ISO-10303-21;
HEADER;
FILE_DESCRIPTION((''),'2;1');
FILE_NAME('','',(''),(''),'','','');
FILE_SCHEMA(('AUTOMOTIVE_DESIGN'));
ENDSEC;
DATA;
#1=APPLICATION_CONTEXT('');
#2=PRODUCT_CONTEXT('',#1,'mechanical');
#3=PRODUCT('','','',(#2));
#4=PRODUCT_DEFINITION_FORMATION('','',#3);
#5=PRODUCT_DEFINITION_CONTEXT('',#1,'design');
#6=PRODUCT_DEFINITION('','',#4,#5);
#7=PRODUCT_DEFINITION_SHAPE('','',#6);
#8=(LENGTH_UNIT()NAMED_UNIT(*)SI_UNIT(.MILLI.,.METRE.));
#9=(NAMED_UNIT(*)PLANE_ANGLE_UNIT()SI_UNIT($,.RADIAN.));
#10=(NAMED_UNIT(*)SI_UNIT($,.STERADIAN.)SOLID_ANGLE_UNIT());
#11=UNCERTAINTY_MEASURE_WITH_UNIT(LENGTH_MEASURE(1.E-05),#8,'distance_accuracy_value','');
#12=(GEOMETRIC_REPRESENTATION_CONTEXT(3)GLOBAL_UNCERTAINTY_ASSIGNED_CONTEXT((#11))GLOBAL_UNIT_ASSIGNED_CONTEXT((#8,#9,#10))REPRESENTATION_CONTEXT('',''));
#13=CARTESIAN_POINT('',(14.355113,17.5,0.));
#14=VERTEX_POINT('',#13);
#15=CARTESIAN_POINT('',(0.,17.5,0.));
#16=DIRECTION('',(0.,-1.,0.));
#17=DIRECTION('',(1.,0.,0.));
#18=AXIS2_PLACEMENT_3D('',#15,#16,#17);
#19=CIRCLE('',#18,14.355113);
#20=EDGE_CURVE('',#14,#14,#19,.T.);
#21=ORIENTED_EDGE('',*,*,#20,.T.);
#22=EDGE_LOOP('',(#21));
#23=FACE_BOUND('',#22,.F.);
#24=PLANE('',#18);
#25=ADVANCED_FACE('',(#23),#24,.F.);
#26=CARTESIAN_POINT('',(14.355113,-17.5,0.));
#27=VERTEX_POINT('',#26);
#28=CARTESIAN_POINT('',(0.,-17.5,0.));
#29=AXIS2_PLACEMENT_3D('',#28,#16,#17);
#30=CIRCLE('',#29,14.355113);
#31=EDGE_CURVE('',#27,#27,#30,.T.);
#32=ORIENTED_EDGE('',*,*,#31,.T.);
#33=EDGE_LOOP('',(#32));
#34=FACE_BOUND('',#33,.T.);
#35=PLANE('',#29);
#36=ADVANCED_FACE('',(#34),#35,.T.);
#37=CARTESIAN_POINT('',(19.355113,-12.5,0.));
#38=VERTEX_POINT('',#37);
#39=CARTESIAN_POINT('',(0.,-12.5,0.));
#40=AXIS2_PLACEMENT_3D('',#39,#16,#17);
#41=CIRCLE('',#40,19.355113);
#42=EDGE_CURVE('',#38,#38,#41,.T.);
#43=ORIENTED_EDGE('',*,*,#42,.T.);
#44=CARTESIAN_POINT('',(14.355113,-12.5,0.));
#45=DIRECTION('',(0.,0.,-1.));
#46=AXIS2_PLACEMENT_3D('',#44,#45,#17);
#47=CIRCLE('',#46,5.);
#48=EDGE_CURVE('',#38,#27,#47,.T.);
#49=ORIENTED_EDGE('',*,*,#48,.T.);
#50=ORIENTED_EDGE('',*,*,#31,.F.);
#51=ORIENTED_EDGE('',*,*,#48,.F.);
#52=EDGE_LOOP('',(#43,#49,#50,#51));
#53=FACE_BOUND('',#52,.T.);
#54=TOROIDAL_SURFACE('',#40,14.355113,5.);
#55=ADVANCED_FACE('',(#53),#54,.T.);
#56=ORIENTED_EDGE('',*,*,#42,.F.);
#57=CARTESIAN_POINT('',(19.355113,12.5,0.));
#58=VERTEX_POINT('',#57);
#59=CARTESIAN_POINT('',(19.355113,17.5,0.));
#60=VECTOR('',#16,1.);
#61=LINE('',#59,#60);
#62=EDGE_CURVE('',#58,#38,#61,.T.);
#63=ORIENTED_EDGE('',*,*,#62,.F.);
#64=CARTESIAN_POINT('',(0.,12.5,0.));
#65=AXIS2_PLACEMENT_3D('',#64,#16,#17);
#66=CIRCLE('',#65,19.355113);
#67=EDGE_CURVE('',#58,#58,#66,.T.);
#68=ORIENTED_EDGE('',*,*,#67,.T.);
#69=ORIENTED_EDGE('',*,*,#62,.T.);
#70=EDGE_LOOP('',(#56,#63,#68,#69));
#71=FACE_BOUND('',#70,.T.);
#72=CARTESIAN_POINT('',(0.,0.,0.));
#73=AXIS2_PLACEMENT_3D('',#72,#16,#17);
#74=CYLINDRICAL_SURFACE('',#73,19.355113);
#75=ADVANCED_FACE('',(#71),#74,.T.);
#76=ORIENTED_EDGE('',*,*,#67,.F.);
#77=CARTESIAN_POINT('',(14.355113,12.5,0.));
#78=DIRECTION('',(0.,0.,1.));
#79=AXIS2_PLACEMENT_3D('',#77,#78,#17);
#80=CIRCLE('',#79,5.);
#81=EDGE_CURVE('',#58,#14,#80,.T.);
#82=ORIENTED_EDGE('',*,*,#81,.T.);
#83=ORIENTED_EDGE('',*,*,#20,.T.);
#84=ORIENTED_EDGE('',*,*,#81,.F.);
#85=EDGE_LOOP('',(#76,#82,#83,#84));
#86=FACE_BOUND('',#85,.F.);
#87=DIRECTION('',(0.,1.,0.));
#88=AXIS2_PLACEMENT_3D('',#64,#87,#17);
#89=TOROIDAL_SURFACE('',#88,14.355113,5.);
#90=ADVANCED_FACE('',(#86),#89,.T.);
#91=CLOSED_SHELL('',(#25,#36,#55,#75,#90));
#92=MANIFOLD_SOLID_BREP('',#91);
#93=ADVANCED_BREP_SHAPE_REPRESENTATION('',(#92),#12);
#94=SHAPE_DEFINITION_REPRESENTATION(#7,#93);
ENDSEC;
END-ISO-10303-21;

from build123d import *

# Parameters (mm, degrees)
F0_R     = 19.355113
F1_DEPTH = 17.5
F2_R     = 5
F3_R     = 5


with BuildPart() as f1:
    # F0 (on Front) → F1 (new body, symmetric)
    with BuildSketch(Plane.XZ):
        Circle(F0_R)
    extrude(amount=F1_DEPTH, both=True)

    # F2
    f2_edges = [f1.edges().sort_by_distance(p)[0] for p in [
        (-19.355113, -17.5, 0),
    ]]
    fillet(f2_edges, radius=F2_R)

    # F3
    f3_edges = [f1.edges().sort_by_distance(p)[0] for p in [
        (-19.355113, 17.5, 0),
    ]]
    fillet(f3_edges, radius=F3_R)


solid = f1.part
